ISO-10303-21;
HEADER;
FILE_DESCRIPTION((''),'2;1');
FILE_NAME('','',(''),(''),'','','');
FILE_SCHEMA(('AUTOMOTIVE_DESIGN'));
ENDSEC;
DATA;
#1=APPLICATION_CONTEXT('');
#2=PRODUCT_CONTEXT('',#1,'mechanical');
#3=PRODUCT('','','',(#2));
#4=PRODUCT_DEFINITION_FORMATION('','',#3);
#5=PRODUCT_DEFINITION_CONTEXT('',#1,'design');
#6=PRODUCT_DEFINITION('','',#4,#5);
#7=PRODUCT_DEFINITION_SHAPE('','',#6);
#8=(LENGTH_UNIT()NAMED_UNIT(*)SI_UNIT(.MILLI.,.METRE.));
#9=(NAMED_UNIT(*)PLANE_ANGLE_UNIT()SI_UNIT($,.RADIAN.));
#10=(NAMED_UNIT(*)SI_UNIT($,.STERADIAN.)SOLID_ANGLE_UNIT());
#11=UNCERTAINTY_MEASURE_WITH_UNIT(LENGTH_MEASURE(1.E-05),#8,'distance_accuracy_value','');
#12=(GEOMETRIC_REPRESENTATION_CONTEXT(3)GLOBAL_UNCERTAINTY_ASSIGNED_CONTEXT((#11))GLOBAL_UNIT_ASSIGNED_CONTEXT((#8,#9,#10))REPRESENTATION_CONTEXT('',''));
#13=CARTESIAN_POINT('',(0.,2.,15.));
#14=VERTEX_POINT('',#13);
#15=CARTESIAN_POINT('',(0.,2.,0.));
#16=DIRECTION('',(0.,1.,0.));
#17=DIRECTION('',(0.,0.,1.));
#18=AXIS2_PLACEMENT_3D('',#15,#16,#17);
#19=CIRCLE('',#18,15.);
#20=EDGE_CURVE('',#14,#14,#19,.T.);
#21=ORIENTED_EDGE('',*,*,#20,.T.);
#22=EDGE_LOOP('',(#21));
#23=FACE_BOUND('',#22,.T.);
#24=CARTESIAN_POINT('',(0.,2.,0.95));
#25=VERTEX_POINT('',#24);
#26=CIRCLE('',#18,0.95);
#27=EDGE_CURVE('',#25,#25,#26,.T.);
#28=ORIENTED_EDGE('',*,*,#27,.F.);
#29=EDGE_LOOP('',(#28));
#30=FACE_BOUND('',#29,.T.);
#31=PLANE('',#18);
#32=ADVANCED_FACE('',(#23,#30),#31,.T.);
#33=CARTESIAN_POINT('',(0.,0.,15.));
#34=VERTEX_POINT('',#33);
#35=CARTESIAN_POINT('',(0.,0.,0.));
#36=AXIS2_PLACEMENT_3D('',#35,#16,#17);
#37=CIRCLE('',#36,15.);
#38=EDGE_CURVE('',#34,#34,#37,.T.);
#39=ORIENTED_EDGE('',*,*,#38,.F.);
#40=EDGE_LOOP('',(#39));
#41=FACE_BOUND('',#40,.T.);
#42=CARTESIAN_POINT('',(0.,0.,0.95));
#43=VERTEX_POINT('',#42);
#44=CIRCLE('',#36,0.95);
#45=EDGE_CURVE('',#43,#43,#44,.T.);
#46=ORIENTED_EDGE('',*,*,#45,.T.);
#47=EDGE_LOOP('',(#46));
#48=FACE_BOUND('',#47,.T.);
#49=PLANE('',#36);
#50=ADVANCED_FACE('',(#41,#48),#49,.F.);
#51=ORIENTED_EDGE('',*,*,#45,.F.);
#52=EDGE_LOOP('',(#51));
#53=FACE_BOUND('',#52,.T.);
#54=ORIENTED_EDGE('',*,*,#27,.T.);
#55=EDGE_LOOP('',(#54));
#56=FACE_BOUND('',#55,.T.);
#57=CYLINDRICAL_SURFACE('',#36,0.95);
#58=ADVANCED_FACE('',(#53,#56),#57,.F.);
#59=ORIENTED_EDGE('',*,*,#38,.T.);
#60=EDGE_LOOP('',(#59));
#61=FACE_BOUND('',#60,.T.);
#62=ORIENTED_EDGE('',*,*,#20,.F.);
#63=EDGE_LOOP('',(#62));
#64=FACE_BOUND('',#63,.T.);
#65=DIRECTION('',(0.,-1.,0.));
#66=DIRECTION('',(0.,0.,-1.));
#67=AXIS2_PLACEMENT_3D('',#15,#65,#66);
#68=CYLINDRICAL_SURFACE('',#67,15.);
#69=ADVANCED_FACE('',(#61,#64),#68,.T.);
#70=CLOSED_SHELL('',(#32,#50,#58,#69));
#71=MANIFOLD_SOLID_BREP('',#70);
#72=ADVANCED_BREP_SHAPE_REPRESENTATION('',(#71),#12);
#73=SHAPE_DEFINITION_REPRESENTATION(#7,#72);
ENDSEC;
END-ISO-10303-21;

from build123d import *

# Parameters (mm, degrees)
SKETCH1_R           = 15
BOSS_EXTRUDE1_DEPTH = 2
SKETCH2_R           = 0.95
CUT_EXTRUDE1_DEPTH  = 2


with BuildPart() as part:
    # Sketch1 → Boss-Extrude1 (new body)
    with BuildSketch(Plane(origin=(0, 0, 0), x_dir=(1, 0, 0), z_dir=(0, 1, 0))):
        with Locations(Location((0, 0, 0), (0, 0, 270))):
            Circle(SKETCH1_R)
    extrude(amount=BOSS_EXTRUDE1_DEPTH)

    # Sketch2 → Cut-Extrude1 (cut)
    with BuildSketch(Plane(origin=(0, 2, 0), x_dir=(1, 0, 0), z_dir=(0, 1, 0))):
        with Locations(Location((0, 0, 0), (0, 0, 270))):
            Circle(SKETCH2_R)
    extrude(amount=-CUT_EXTRUDE1_DEPTH, mode=Mode.SUBTRACT)


solid = part.part
